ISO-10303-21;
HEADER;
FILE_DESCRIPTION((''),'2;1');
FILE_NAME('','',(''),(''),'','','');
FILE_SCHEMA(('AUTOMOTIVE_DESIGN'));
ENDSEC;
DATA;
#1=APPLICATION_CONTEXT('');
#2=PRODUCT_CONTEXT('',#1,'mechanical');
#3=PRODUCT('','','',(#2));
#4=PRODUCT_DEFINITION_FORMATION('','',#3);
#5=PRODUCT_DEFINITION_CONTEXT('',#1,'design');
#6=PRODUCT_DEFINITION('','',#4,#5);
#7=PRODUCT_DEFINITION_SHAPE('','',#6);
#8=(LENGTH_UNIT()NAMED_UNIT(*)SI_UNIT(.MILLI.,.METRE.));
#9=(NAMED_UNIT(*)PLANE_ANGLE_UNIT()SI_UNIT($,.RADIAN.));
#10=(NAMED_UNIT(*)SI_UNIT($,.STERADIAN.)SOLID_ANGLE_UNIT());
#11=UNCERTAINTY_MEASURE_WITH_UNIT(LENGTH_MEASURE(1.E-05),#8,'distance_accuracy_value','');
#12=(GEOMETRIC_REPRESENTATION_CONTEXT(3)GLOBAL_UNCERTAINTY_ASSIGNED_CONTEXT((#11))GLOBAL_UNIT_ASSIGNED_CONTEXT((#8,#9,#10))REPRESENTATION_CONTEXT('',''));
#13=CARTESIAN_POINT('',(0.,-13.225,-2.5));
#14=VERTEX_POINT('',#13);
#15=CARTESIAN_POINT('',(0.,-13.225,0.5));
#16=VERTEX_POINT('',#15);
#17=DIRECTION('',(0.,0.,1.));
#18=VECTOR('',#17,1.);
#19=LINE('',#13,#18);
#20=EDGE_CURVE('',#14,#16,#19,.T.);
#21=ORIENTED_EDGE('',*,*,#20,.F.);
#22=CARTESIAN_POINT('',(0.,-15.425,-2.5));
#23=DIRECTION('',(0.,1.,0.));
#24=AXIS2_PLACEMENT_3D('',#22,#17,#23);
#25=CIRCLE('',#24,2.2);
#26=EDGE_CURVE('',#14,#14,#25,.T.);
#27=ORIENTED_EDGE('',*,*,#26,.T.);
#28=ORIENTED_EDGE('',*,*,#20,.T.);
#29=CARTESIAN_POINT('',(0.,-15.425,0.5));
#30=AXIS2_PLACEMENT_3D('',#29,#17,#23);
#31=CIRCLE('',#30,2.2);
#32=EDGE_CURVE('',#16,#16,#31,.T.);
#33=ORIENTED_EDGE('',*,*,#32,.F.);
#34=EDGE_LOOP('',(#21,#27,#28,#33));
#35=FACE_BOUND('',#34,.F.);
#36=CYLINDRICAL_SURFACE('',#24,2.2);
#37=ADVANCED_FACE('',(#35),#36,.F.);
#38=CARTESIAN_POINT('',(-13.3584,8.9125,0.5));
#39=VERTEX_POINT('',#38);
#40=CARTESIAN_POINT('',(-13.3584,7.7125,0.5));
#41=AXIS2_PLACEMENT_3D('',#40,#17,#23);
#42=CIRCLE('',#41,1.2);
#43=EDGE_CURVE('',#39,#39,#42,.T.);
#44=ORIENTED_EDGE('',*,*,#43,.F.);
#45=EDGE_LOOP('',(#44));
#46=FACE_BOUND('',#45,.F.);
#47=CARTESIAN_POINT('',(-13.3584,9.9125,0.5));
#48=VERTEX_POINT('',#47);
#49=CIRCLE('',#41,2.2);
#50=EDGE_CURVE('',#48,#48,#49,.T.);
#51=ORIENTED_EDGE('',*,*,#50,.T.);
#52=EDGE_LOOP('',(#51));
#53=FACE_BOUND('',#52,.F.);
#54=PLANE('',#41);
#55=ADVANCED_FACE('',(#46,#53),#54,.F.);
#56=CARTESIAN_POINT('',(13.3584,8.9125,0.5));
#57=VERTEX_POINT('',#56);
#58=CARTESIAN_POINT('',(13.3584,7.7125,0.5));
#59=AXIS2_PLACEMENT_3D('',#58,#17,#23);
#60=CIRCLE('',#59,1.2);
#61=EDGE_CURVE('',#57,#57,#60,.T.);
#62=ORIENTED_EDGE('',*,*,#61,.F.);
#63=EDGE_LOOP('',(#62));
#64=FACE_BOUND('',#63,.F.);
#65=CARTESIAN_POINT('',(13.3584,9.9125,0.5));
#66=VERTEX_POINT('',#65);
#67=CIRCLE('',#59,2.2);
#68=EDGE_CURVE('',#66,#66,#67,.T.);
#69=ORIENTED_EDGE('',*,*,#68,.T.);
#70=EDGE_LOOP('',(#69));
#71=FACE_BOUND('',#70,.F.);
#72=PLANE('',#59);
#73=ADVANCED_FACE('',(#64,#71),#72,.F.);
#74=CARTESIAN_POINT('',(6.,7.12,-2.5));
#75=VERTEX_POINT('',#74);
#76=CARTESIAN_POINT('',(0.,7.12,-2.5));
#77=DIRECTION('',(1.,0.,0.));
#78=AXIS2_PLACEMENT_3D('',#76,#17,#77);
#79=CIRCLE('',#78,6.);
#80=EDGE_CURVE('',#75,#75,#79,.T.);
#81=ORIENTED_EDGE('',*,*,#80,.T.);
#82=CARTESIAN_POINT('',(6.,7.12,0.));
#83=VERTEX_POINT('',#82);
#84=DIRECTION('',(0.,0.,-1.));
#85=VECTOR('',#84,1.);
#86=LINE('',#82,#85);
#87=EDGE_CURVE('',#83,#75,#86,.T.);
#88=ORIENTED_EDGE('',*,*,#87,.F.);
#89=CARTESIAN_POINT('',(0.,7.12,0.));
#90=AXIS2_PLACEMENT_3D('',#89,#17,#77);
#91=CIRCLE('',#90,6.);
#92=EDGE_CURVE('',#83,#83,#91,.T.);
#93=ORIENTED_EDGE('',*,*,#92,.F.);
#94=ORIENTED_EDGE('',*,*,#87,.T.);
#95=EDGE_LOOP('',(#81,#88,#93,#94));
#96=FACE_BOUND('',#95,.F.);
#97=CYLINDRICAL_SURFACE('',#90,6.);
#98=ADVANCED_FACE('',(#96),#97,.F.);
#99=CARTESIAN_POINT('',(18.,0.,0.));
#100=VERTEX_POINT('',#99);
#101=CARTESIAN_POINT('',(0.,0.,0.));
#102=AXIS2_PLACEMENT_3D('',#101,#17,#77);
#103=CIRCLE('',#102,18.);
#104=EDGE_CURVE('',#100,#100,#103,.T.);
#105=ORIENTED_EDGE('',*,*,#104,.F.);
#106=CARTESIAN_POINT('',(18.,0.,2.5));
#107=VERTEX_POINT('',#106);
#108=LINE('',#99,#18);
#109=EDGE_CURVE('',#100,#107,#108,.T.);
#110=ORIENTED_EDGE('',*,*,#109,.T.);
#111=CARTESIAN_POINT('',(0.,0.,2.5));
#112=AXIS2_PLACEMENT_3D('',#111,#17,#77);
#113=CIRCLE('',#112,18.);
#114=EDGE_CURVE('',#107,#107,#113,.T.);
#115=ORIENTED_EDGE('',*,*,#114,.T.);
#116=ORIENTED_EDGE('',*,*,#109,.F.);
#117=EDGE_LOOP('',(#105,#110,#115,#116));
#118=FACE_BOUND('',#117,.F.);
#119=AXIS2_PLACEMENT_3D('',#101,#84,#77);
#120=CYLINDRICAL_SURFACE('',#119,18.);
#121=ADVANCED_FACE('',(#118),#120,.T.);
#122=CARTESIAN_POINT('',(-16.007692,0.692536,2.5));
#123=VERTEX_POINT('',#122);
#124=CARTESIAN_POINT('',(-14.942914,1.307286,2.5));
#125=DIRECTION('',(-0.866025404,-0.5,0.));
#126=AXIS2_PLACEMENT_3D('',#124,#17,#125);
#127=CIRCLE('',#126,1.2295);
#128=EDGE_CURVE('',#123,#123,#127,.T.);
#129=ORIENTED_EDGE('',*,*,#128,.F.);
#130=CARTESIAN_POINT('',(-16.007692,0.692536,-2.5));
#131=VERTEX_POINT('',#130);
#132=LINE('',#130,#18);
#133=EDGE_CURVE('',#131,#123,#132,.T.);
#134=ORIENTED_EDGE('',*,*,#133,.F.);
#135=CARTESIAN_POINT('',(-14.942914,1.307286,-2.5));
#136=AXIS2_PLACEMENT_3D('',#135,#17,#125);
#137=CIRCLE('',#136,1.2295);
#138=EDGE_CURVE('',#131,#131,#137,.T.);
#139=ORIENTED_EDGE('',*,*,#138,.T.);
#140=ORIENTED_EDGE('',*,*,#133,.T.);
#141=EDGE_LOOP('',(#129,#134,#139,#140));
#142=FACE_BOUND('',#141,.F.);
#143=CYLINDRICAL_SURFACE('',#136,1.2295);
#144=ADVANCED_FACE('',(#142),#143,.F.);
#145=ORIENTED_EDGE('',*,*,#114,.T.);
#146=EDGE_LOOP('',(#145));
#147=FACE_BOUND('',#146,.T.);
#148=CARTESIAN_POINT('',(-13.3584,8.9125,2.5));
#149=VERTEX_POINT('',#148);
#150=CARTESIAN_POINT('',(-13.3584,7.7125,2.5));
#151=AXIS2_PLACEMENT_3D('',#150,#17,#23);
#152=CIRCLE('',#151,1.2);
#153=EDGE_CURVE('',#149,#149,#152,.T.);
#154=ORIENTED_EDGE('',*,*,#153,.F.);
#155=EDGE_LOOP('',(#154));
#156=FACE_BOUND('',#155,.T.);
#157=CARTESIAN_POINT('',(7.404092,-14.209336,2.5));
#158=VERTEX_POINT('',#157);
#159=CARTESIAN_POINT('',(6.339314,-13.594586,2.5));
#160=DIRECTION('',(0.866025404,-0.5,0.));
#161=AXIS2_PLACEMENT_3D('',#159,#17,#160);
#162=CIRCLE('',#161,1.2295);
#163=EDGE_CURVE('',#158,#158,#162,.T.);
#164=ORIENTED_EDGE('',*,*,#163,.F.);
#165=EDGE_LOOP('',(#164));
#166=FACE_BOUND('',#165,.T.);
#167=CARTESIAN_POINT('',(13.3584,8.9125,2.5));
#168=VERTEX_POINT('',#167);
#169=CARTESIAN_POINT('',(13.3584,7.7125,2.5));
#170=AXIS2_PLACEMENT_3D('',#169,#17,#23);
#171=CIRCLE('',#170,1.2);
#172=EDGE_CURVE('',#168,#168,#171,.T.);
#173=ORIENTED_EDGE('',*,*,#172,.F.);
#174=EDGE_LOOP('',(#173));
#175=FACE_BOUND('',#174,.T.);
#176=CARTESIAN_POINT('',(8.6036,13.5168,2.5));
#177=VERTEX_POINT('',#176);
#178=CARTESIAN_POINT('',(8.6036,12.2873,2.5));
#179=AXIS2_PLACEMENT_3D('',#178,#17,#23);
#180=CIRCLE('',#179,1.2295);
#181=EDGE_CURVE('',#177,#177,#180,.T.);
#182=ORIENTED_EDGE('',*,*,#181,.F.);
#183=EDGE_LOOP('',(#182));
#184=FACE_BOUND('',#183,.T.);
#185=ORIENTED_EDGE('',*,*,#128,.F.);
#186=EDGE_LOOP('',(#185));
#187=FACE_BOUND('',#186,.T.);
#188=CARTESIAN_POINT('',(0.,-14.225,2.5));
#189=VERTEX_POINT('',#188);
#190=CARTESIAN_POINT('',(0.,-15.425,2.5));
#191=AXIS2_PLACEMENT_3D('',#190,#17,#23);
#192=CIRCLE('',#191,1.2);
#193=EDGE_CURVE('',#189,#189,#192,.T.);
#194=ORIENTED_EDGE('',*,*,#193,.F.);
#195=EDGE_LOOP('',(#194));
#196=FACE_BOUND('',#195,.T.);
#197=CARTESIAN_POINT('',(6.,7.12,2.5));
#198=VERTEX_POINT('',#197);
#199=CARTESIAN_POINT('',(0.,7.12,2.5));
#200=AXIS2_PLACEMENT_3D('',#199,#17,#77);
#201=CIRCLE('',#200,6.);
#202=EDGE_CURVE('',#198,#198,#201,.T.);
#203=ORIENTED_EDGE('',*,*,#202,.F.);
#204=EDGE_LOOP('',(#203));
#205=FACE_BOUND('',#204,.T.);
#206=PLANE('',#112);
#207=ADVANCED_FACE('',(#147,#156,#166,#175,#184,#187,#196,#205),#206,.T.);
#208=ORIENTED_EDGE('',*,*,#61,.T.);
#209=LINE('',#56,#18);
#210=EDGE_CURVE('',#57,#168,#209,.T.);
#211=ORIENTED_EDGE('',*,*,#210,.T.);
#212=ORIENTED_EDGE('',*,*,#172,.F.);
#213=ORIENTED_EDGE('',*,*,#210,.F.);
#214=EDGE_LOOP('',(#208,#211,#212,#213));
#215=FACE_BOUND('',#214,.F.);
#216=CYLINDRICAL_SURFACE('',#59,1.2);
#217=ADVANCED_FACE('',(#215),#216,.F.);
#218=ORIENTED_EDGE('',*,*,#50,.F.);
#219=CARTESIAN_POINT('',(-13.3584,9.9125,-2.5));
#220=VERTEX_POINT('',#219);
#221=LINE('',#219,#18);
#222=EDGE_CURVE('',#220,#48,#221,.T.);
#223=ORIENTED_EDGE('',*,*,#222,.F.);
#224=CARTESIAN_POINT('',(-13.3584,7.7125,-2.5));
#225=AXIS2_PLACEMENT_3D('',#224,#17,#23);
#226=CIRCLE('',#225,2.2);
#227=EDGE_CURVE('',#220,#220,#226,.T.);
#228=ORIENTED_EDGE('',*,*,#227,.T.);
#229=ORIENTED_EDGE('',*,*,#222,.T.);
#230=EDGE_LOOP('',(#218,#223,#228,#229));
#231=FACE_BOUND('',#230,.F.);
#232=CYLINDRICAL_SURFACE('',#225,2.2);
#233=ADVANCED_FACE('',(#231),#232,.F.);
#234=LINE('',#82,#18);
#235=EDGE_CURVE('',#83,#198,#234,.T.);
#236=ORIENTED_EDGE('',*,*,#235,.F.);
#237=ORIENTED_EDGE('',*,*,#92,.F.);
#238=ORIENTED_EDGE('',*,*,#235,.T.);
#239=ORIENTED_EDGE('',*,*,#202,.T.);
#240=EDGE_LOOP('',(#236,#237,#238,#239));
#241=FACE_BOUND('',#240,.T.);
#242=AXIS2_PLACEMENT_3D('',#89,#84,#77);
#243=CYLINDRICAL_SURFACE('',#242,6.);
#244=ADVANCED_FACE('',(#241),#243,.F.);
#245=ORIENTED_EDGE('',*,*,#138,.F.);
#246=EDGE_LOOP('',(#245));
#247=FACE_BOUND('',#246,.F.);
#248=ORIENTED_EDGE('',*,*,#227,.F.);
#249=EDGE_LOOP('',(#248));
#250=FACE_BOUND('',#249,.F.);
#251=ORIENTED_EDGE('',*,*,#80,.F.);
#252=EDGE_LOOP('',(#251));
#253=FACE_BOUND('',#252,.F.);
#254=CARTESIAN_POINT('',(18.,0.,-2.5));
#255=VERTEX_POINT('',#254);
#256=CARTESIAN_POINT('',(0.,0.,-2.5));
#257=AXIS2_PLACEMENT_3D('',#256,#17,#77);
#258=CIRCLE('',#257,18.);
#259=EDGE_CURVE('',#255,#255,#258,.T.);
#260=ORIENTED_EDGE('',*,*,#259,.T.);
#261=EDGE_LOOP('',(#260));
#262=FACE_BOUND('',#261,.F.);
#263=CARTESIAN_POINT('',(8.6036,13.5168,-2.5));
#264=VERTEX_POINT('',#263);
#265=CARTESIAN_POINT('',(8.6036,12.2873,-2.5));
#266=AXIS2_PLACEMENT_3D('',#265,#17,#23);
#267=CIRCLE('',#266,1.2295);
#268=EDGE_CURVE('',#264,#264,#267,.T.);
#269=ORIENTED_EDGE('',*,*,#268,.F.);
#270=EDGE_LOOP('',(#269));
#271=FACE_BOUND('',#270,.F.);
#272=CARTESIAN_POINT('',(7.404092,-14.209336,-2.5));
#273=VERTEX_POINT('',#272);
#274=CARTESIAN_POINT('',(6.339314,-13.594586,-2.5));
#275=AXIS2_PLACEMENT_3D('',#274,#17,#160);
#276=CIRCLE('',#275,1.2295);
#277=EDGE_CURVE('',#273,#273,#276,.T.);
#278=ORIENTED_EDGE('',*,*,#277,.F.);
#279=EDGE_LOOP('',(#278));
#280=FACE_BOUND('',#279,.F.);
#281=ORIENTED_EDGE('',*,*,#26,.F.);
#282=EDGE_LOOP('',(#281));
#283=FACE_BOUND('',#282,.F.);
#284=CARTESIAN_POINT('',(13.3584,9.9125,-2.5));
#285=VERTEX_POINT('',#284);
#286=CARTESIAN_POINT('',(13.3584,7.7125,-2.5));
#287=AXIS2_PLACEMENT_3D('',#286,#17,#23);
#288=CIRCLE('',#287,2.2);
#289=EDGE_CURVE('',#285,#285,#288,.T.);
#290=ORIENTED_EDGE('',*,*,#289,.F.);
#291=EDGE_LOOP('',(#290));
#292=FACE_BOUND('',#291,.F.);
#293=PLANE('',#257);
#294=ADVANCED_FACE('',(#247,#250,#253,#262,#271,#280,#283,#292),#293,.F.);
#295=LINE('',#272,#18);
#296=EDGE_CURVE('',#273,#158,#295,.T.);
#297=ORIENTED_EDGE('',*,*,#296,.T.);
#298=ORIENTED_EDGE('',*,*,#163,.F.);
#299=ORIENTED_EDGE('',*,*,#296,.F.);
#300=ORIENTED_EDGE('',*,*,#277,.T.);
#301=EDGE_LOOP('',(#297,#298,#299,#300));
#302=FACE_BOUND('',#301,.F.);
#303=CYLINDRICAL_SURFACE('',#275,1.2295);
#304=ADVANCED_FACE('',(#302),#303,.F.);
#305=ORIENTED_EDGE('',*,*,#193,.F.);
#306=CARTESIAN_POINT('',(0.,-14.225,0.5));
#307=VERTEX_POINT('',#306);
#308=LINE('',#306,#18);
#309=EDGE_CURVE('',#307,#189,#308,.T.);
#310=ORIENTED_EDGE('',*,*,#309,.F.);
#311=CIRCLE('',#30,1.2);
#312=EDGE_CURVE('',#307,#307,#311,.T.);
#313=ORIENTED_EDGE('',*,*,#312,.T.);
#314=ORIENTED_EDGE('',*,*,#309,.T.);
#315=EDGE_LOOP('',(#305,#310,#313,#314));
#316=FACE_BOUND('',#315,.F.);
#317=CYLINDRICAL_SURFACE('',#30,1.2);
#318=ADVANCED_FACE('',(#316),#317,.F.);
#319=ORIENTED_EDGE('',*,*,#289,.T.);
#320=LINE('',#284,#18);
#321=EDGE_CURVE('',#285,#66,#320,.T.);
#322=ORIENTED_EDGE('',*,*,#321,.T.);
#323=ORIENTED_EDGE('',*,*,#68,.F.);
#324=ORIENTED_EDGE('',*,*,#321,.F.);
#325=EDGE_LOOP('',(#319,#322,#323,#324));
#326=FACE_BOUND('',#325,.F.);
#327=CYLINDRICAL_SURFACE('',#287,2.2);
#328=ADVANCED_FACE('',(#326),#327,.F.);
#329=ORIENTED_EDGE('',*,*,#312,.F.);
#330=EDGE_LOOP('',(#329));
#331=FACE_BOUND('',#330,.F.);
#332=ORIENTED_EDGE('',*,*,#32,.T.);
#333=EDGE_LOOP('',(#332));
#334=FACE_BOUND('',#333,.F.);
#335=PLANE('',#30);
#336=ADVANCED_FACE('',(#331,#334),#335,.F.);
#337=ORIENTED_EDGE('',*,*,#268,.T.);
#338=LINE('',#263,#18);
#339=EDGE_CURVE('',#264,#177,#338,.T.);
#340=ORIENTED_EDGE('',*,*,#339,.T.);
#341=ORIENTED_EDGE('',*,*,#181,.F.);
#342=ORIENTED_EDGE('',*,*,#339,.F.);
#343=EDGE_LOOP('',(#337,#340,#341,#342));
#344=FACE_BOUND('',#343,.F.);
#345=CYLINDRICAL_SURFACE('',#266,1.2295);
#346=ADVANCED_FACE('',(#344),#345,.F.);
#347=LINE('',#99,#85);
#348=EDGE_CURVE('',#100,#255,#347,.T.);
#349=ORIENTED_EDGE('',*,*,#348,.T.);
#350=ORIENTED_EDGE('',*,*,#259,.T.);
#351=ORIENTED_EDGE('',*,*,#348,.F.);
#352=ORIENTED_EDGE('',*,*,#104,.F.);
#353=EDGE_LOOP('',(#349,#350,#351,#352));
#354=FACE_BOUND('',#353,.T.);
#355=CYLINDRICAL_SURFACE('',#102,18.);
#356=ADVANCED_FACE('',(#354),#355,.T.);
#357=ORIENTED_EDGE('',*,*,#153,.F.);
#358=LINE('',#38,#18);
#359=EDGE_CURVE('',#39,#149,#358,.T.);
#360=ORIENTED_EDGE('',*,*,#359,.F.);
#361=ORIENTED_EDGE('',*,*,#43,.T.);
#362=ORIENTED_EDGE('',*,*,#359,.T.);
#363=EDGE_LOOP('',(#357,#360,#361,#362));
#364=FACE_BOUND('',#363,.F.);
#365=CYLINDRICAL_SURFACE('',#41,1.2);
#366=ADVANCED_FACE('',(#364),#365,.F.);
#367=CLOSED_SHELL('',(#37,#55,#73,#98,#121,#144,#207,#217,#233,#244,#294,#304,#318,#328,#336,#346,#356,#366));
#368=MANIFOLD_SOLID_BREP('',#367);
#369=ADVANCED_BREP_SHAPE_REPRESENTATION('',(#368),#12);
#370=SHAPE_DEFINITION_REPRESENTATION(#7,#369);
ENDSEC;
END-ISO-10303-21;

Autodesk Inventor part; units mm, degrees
ref_plane "YZ Plane" through (0, 0, 0) normal (1, 0, 0) x (0, 1, 0)
ref_plane "XZ Plane" through (0, 0, 0) normal (0, 1, 0) x (-1, 0, 0)
ref_plane "XY Plane" through (0, 0, 0) normal (0, 0, 1) x (1, 0, 0)
sketch "Sketch1" plane through (0, 0, 0) normal (0, 0, 1) x (1, 0, 0)
  circle A0 centre (0, 0) radius 18
  circle A1 centre (0, 7.12) radius 6
  line L0 (0, 0) -> (0, 7.12) construction
  dimension "d0" = 36
  dimension "d1" = 12
  dimension "d2" = 7.12
extrude "Extrusion1" add sketch "Sketch1" along normal mid plane 5
sketch "Sketch2" plane through (0, 0, -2.5) normal (0, 0, -1) x (-1, 0, 0)
  circle A0 centre (0, 0) radius 15.425 construction
  circle A1 centre (0, 7.12) radius 6 construction
  line L0 (0, 7.12) -> (0, 7.7125) construction
  point P0 (0, -15.425)
  point P1 (13.3584, 7.7125)
  point P2 (-13.3584, 7.7125)
  dimension "d11" = 360
hole "Hole1" at (0, -15.425, -2.5) at (-13.3584, 7.7125, -2.5) at (13.3584, 7.7125, -2.5) direction (0, 0, 1) diameter 2.4 end through all counterbore diameter 4.4 counterbore depth 3
sketch "Sketch3" plane through (0, 0, -2.5) normal (0, 0, -1) x (-1, 0, 0)
  circle A0 centre (-13.3584, 7.7125) radius 2.2 construction
  circle A1 centre (-13.3584, 7.7125) radius 1.2 construction
  line L0 (-13.3584, 7.7125) -> (0, 0) construction
  line L1 (0, 0) -> (-9.6467, 13.7769) construction
  circle A2 centre (0, 0) radius 15.425 construction
  circle A3 centre (0, 7.12) radius 6 construction
  line L2 (0, 0) -> (0, 7.12) construction
  point P0 (-8.6036, 12.2873)
  dimension "d37" = 30.85
  dimension "d20" = 25
  dimension "d21" = 15
  dimension "d38" = 60
  dimension "d39" = 7.12
hole "Hole2" at (8.6036, 12.2873, -2.5) direction (0, 0, 1) diameter 2.459 end through all thread size "M3x0.5" class "6H" standard "ISO Metric profile"
pattern_circular "Circular Pattern1" count 3 over 360 about axis through (0, 0, 0) along (0, 0, 1) of "Hole2"
properties part number "P21" material "Aluminium"
